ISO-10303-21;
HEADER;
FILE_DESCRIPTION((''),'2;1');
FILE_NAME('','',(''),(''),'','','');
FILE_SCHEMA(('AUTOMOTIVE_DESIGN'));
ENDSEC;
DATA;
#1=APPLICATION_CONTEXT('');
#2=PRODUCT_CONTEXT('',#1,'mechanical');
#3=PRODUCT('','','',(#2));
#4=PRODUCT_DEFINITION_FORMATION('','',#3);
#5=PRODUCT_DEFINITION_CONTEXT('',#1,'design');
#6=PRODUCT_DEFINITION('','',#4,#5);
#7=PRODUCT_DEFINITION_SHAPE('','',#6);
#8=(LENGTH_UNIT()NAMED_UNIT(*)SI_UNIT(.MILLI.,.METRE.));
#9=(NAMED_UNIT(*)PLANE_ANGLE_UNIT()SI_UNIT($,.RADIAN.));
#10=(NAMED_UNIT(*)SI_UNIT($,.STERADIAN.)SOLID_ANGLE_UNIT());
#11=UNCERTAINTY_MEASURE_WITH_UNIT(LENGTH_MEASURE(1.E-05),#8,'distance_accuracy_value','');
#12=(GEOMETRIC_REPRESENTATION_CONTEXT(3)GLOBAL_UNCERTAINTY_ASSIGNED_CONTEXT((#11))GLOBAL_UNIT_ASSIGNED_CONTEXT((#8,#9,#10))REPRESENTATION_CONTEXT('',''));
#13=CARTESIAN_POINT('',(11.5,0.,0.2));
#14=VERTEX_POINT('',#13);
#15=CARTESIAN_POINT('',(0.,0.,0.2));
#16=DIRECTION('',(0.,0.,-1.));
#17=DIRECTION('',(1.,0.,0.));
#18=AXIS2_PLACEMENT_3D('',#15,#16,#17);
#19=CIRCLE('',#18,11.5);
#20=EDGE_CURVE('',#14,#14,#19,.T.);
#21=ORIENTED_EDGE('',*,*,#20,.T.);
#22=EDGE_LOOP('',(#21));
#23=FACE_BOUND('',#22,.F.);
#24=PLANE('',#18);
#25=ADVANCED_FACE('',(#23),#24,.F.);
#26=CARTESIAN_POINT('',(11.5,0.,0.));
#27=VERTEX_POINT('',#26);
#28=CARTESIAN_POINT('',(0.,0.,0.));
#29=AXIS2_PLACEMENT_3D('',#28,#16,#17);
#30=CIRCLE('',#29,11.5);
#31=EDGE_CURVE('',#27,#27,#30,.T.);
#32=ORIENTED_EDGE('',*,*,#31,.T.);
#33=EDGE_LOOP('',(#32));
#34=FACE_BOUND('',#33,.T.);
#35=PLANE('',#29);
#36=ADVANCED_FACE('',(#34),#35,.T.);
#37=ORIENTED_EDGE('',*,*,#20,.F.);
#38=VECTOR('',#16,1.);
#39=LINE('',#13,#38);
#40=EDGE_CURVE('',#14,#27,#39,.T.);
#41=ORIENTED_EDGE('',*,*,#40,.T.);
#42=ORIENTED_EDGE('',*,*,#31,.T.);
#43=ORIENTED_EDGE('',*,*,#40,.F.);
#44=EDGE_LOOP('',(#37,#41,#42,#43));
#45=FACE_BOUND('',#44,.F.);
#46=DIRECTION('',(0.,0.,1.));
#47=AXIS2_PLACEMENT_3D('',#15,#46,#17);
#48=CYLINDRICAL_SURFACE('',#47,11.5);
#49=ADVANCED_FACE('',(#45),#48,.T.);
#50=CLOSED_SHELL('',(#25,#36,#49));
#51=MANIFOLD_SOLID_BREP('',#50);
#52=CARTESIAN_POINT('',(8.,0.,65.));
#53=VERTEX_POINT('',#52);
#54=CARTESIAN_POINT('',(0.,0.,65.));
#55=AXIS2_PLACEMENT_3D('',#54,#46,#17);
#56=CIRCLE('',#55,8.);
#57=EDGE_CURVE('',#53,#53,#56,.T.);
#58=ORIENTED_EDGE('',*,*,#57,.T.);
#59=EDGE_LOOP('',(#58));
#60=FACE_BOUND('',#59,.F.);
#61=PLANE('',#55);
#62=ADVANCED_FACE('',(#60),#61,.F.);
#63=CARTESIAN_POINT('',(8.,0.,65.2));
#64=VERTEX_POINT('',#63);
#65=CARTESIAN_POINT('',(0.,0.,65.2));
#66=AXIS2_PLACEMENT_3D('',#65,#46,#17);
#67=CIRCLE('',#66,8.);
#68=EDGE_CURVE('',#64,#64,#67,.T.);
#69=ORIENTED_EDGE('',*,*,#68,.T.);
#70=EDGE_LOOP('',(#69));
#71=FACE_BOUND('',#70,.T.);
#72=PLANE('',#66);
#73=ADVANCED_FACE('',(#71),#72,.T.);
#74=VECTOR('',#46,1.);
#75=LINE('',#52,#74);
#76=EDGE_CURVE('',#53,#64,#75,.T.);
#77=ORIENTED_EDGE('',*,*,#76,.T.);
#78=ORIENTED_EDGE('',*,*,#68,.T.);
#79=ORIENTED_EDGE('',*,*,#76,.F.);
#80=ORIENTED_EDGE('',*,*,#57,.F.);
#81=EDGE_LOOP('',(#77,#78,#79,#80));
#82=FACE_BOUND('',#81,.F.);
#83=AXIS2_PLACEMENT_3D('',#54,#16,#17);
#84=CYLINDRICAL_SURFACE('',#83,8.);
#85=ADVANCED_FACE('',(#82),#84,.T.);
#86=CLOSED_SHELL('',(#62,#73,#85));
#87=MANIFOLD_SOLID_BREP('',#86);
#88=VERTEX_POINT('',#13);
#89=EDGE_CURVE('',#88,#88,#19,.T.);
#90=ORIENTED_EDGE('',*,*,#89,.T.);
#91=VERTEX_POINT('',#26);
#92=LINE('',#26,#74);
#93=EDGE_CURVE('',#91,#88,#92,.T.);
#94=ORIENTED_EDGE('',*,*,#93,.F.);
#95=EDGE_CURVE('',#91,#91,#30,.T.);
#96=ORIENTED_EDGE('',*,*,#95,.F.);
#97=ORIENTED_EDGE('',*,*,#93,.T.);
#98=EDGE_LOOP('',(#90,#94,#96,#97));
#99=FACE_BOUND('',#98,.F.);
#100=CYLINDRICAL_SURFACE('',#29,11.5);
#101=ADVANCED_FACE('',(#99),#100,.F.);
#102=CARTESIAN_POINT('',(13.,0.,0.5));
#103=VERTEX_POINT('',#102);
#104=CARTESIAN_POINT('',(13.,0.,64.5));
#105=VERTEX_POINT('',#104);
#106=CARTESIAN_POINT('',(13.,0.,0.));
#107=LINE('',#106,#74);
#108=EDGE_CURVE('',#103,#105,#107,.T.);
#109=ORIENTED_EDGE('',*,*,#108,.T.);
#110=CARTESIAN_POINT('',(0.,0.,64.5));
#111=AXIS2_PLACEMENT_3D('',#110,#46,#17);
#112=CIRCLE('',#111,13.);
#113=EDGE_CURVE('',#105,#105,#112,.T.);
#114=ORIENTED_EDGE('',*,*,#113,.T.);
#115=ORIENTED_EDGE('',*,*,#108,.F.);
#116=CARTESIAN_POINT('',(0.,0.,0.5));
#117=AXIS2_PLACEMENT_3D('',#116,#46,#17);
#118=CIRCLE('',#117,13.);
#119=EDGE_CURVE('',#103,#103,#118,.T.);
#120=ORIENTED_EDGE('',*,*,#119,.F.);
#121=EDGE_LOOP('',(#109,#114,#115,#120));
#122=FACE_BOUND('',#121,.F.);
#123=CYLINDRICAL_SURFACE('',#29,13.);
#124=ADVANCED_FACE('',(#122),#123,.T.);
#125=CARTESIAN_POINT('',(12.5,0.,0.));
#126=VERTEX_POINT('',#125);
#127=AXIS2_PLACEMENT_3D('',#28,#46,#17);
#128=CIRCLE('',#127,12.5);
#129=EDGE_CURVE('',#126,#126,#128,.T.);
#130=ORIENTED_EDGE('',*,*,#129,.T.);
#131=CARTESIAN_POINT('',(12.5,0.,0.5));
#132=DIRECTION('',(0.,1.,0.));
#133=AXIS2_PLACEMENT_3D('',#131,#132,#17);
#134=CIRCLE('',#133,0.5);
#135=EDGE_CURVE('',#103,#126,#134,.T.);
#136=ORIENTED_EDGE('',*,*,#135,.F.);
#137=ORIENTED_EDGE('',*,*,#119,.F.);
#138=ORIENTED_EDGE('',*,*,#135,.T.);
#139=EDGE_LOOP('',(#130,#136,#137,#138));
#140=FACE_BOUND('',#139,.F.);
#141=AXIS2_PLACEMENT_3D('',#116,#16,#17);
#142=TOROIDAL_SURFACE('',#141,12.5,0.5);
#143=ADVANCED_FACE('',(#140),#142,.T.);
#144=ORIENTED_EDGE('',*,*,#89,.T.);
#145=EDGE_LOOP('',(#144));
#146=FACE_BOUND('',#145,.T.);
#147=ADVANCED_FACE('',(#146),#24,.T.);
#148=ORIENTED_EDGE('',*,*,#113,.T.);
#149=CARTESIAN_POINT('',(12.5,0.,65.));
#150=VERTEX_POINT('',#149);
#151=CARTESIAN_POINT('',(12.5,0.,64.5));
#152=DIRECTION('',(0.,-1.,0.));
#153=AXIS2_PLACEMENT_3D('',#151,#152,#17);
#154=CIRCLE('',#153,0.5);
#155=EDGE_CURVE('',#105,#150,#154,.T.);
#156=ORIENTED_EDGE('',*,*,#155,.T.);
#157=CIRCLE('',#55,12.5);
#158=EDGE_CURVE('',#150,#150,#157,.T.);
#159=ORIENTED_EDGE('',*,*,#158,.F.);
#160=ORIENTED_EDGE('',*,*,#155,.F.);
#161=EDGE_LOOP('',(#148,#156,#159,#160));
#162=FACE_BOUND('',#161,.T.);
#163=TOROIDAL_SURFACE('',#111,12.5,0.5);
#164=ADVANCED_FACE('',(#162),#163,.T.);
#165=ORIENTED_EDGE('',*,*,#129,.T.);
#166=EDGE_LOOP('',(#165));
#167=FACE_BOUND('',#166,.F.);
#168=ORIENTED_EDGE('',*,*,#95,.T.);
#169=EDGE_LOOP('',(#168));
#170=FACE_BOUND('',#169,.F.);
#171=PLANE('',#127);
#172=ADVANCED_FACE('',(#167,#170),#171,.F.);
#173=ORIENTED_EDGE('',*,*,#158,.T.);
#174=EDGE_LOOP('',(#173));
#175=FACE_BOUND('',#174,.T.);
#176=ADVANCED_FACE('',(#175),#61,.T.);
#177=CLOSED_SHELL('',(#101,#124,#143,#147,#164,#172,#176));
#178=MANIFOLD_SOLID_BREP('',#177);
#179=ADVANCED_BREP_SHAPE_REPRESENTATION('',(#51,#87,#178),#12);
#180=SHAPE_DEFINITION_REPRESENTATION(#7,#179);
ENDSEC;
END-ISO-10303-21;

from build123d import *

# Parameters (mm, degrees)
F0_R     = 13
F1_DEPTH = 65
F2_R     = 8
F3_DEPTH = 0.2
F4_R     = 11.5
F5_DEPTH = 0.2
F6_R     = 11.5
F7_DEPTH = 0.2
F8_R     = 0.5


with BuildPart() as f1:
    # F0 (on Top) → F1 (new body)
    with BuildSketch(Plane.XY):
        Circle(F0_R)
    extrude(amount=F1_DEPTH)

    # F4 (on face) → F5 (cut)
    with BuildSketch(Plane(origin=(0, 0, 0), x_dir=(1, 0, 0), z_dir=(0, 0, -1))):
        Circle(F4_R)
    extrude(amount=-F5_DEPTH, mode=Mode.SUBTRACT)

    # F8
    f8_edges = [f1.edges().sort_by_distance(p)[0] for p in [
        (-13, 0, 65),
        (-13, 0, 0),
    ]]
    fillet(f8_edges, radius=F8_R)


with BuildPart() as f3:
    # F2 (on face) → F3 (new body)
    with BuildSketch(Plane.XY.offset(65)):
        Circle(F2_R)
    extrude(amount=F3_DEPTH)


with BuildPart() as f7:
    # F6 (on face) → F7 (new body)
    with BuildSketch(Plane(origin=(0, 0, 0.2), x_dir=(1, 0, 0), z_dir=(0, 0, -1))):
        Circle(F6_R)
    extrude(amount=F7_DEPTH)


solid = Compound([f1.part, f3.part, f7.part])
